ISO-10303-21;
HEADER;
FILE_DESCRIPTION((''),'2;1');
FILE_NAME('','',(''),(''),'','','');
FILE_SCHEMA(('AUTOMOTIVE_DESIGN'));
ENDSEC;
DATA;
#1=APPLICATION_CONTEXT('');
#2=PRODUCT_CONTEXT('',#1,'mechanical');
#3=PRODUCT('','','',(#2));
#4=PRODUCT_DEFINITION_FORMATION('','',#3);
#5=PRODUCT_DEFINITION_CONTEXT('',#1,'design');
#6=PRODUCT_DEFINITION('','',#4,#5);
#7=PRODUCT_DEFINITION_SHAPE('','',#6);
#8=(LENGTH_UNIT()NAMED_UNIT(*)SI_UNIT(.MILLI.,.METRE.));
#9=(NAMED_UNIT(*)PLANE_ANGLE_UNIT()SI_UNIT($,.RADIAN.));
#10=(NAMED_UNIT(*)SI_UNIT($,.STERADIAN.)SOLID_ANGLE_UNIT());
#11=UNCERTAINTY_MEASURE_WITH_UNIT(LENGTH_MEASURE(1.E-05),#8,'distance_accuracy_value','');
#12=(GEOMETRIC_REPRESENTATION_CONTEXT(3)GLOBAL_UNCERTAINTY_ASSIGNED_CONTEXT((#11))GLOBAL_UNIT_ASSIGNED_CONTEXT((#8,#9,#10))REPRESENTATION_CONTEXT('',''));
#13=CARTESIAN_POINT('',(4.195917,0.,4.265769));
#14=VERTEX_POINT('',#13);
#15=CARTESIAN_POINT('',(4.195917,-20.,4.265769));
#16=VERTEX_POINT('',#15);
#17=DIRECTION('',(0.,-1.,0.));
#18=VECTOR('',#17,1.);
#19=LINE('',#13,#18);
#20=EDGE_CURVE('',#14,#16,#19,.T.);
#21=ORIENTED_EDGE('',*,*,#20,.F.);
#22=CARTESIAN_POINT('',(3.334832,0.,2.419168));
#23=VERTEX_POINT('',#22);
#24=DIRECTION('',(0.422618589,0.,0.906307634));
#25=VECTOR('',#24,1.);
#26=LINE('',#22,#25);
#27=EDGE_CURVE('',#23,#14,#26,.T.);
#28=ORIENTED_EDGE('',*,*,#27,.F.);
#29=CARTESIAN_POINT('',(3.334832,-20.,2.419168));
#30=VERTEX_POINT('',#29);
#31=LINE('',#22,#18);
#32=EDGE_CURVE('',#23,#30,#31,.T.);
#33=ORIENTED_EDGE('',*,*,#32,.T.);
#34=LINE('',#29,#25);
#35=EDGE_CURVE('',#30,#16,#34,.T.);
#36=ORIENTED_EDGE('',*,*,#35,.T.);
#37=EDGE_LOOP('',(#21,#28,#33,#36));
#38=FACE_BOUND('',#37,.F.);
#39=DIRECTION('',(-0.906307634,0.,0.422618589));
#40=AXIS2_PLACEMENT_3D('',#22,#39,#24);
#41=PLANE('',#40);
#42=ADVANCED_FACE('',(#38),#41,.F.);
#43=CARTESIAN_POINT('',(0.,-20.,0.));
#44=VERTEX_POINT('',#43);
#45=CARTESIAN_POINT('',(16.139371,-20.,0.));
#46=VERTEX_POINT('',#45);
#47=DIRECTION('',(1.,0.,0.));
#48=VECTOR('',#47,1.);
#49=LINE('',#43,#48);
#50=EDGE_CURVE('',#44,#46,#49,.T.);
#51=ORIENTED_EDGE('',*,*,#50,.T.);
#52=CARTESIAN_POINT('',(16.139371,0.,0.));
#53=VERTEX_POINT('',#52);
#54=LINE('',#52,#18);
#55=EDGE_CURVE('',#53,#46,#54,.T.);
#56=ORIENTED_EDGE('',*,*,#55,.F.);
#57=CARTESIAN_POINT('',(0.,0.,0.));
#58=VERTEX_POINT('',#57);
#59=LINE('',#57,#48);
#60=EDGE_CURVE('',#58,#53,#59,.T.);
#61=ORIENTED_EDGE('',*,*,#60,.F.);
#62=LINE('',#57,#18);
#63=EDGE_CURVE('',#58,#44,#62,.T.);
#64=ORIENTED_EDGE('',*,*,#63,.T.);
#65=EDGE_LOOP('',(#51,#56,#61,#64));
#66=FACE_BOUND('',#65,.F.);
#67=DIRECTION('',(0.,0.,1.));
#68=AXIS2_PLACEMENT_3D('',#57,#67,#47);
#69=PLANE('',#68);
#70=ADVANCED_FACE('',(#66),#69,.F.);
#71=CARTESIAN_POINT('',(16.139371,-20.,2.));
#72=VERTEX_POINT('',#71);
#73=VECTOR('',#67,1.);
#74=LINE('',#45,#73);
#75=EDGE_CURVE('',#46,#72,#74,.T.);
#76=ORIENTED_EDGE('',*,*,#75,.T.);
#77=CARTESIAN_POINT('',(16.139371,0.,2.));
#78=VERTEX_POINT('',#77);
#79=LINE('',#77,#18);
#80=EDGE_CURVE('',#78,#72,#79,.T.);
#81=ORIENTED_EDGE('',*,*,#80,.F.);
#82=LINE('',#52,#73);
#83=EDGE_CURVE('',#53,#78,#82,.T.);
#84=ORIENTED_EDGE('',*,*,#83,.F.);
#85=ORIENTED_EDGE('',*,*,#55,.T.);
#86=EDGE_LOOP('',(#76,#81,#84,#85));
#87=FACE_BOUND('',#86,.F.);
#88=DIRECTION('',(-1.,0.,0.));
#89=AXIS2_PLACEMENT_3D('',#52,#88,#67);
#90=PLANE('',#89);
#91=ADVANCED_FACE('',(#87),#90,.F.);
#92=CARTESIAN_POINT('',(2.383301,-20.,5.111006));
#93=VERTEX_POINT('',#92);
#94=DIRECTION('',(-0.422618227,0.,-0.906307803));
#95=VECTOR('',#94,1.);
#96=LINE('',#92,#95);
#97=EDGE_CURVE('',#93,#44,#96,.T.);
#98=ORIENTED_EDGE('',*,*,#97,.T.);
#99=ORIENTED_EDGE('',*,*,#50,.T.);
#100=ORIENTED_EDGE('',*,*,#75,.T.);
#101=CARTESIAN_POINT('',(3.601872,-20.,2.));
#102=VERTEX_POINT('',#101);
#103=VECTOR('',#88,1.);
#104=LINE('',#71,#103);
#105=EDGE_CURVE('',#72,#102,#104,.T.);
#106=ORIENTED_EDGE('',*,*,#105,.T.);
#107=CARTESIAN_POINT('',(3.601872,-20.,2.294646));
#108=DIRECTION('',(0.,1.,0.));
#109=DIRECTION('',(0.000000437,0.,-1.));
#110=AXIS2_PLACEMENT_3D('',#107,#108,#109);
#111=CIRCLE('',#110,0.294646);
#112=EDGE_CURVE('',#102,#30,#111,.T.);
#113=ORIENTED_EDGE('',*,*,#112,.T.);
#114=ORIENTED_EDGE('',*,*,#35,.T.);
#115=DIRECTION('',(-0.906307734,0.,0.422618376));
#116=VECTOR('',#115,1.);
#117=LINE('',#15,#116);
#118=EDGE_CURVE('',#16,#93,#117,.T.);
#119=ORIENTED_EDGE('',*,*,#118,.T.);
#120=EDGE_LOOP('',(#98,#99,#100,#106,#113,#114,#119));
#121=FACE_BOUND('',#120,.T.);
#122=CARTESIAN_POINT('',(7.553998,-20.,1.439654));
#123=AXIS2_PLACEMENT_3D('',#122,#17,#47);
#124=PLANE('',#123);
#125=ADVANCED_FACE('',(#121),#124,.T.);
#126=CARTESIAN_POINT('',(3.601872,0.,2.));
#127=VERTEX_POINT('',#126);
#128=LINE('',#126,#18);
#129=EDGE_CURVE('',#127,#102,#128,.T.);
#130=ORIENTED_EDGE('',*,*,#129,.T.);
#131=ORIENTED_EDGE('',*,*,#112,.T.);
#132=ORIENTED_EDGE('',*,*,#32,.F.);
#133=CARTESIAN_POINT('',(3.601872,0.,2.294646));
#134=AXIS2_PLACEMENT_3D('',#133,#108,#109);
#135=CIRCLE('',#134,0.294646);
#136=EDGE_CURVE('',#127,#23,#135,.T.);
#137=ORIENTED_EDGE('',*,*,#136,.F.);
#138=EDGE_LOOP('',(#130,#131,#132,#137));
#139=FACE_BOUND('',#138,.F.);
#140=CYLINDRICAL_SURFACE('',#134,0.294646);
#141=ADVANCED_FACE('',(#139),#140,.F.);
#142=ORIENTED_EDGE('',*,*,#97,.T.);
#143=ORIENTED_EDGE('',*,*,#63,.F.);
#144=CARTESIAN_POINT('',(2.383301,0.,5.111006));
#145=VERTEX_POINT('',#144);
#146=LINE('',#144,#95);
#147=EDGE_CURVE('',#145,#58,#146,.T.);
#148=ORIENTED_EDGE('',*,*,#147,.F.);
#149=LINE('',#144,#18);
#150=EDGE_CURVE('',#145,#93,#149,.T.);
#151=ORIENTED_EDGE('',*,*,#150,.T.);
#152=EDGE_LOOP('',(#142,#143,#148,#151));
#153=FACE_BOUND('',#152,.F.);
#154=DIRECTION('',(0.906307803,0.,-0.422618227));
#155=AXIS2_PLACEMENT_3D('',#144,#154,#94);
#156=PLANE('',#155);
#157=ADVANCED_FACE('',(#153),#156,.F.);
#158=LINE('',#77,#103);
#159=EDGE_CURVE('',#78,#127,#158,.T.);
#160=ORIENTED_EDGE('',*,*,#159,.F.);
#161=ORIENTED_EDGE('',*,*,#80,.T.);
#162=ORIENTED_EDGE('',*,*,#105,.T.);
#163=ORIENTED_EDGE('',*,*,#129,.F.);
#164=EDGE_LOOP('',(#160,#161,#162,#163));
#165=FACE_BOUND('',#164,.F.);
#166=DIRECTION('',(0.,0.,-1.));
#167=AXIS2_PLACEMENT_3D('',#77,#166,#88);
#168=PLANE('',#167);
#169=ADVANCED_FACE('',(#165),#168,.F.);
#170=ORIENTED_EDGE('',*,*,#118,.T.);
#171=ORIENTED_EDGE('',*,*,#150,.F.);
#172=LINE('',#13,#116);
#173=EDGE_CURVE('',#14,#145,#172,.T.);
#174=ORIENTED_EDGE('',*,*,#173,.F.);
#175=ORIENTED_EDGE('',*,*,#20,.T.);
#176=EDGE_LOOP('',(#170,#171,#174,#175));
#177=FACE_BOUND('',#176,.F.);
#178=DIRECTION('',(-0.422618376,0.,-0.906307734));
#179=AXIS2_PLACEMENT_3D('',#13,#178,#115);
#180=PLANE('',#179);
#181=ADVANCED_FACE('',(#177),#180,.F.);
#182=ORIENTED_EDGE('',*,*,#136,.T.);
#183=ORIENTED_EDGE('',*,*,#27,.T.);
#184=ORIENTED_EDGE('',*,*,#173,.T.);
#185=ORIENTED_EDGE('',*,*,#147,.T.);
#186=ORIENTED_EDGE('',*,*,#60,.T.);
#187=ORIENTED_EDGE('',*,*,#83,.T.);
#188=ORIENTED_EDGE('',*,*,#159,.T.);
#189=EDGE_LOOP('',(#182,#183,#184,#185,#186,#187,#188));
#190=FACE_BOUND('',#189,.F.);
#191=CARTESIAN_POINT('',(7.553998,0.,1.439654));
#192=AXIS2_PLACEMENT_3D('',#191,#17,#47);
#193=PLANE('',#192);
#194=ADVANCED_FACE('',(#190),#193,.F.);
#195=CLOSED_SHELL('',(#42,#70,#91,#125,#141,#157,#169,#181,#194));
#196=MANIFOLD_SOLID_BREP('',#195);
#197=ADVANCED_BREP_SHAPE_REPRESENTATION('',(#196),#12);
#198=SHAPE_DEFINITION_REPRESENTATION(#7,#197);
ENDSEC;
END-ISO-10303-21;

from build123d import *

# Parameters (mm, degrees)
F1_DEPTH = 20


with BuildPart() as f1:
    # F0 (on Front) → F1 (new body)
    with BuildSketch(Plane.XZ):
        with BuildLine():
            Line((2.383301, 5.111006), (0, 0))
            Line((0, 0), (16.139371, 0))
            Line((16.139371, 0), (16.139371, 2))
            Line((16.139371, 2), (3.601872, 2))
            ThreePointArc((3.601872, 2), (3.35337, 2.136333), (3.334832, 2.419168))
            Line((3.334832, 2.419168), (4.195917, 4.265769))
            Line((4.195917, 4.265769), (2.383301, 5.111006))
        make_face()
    extrude(amount=F1_DEPTH)


solid = f1.part
